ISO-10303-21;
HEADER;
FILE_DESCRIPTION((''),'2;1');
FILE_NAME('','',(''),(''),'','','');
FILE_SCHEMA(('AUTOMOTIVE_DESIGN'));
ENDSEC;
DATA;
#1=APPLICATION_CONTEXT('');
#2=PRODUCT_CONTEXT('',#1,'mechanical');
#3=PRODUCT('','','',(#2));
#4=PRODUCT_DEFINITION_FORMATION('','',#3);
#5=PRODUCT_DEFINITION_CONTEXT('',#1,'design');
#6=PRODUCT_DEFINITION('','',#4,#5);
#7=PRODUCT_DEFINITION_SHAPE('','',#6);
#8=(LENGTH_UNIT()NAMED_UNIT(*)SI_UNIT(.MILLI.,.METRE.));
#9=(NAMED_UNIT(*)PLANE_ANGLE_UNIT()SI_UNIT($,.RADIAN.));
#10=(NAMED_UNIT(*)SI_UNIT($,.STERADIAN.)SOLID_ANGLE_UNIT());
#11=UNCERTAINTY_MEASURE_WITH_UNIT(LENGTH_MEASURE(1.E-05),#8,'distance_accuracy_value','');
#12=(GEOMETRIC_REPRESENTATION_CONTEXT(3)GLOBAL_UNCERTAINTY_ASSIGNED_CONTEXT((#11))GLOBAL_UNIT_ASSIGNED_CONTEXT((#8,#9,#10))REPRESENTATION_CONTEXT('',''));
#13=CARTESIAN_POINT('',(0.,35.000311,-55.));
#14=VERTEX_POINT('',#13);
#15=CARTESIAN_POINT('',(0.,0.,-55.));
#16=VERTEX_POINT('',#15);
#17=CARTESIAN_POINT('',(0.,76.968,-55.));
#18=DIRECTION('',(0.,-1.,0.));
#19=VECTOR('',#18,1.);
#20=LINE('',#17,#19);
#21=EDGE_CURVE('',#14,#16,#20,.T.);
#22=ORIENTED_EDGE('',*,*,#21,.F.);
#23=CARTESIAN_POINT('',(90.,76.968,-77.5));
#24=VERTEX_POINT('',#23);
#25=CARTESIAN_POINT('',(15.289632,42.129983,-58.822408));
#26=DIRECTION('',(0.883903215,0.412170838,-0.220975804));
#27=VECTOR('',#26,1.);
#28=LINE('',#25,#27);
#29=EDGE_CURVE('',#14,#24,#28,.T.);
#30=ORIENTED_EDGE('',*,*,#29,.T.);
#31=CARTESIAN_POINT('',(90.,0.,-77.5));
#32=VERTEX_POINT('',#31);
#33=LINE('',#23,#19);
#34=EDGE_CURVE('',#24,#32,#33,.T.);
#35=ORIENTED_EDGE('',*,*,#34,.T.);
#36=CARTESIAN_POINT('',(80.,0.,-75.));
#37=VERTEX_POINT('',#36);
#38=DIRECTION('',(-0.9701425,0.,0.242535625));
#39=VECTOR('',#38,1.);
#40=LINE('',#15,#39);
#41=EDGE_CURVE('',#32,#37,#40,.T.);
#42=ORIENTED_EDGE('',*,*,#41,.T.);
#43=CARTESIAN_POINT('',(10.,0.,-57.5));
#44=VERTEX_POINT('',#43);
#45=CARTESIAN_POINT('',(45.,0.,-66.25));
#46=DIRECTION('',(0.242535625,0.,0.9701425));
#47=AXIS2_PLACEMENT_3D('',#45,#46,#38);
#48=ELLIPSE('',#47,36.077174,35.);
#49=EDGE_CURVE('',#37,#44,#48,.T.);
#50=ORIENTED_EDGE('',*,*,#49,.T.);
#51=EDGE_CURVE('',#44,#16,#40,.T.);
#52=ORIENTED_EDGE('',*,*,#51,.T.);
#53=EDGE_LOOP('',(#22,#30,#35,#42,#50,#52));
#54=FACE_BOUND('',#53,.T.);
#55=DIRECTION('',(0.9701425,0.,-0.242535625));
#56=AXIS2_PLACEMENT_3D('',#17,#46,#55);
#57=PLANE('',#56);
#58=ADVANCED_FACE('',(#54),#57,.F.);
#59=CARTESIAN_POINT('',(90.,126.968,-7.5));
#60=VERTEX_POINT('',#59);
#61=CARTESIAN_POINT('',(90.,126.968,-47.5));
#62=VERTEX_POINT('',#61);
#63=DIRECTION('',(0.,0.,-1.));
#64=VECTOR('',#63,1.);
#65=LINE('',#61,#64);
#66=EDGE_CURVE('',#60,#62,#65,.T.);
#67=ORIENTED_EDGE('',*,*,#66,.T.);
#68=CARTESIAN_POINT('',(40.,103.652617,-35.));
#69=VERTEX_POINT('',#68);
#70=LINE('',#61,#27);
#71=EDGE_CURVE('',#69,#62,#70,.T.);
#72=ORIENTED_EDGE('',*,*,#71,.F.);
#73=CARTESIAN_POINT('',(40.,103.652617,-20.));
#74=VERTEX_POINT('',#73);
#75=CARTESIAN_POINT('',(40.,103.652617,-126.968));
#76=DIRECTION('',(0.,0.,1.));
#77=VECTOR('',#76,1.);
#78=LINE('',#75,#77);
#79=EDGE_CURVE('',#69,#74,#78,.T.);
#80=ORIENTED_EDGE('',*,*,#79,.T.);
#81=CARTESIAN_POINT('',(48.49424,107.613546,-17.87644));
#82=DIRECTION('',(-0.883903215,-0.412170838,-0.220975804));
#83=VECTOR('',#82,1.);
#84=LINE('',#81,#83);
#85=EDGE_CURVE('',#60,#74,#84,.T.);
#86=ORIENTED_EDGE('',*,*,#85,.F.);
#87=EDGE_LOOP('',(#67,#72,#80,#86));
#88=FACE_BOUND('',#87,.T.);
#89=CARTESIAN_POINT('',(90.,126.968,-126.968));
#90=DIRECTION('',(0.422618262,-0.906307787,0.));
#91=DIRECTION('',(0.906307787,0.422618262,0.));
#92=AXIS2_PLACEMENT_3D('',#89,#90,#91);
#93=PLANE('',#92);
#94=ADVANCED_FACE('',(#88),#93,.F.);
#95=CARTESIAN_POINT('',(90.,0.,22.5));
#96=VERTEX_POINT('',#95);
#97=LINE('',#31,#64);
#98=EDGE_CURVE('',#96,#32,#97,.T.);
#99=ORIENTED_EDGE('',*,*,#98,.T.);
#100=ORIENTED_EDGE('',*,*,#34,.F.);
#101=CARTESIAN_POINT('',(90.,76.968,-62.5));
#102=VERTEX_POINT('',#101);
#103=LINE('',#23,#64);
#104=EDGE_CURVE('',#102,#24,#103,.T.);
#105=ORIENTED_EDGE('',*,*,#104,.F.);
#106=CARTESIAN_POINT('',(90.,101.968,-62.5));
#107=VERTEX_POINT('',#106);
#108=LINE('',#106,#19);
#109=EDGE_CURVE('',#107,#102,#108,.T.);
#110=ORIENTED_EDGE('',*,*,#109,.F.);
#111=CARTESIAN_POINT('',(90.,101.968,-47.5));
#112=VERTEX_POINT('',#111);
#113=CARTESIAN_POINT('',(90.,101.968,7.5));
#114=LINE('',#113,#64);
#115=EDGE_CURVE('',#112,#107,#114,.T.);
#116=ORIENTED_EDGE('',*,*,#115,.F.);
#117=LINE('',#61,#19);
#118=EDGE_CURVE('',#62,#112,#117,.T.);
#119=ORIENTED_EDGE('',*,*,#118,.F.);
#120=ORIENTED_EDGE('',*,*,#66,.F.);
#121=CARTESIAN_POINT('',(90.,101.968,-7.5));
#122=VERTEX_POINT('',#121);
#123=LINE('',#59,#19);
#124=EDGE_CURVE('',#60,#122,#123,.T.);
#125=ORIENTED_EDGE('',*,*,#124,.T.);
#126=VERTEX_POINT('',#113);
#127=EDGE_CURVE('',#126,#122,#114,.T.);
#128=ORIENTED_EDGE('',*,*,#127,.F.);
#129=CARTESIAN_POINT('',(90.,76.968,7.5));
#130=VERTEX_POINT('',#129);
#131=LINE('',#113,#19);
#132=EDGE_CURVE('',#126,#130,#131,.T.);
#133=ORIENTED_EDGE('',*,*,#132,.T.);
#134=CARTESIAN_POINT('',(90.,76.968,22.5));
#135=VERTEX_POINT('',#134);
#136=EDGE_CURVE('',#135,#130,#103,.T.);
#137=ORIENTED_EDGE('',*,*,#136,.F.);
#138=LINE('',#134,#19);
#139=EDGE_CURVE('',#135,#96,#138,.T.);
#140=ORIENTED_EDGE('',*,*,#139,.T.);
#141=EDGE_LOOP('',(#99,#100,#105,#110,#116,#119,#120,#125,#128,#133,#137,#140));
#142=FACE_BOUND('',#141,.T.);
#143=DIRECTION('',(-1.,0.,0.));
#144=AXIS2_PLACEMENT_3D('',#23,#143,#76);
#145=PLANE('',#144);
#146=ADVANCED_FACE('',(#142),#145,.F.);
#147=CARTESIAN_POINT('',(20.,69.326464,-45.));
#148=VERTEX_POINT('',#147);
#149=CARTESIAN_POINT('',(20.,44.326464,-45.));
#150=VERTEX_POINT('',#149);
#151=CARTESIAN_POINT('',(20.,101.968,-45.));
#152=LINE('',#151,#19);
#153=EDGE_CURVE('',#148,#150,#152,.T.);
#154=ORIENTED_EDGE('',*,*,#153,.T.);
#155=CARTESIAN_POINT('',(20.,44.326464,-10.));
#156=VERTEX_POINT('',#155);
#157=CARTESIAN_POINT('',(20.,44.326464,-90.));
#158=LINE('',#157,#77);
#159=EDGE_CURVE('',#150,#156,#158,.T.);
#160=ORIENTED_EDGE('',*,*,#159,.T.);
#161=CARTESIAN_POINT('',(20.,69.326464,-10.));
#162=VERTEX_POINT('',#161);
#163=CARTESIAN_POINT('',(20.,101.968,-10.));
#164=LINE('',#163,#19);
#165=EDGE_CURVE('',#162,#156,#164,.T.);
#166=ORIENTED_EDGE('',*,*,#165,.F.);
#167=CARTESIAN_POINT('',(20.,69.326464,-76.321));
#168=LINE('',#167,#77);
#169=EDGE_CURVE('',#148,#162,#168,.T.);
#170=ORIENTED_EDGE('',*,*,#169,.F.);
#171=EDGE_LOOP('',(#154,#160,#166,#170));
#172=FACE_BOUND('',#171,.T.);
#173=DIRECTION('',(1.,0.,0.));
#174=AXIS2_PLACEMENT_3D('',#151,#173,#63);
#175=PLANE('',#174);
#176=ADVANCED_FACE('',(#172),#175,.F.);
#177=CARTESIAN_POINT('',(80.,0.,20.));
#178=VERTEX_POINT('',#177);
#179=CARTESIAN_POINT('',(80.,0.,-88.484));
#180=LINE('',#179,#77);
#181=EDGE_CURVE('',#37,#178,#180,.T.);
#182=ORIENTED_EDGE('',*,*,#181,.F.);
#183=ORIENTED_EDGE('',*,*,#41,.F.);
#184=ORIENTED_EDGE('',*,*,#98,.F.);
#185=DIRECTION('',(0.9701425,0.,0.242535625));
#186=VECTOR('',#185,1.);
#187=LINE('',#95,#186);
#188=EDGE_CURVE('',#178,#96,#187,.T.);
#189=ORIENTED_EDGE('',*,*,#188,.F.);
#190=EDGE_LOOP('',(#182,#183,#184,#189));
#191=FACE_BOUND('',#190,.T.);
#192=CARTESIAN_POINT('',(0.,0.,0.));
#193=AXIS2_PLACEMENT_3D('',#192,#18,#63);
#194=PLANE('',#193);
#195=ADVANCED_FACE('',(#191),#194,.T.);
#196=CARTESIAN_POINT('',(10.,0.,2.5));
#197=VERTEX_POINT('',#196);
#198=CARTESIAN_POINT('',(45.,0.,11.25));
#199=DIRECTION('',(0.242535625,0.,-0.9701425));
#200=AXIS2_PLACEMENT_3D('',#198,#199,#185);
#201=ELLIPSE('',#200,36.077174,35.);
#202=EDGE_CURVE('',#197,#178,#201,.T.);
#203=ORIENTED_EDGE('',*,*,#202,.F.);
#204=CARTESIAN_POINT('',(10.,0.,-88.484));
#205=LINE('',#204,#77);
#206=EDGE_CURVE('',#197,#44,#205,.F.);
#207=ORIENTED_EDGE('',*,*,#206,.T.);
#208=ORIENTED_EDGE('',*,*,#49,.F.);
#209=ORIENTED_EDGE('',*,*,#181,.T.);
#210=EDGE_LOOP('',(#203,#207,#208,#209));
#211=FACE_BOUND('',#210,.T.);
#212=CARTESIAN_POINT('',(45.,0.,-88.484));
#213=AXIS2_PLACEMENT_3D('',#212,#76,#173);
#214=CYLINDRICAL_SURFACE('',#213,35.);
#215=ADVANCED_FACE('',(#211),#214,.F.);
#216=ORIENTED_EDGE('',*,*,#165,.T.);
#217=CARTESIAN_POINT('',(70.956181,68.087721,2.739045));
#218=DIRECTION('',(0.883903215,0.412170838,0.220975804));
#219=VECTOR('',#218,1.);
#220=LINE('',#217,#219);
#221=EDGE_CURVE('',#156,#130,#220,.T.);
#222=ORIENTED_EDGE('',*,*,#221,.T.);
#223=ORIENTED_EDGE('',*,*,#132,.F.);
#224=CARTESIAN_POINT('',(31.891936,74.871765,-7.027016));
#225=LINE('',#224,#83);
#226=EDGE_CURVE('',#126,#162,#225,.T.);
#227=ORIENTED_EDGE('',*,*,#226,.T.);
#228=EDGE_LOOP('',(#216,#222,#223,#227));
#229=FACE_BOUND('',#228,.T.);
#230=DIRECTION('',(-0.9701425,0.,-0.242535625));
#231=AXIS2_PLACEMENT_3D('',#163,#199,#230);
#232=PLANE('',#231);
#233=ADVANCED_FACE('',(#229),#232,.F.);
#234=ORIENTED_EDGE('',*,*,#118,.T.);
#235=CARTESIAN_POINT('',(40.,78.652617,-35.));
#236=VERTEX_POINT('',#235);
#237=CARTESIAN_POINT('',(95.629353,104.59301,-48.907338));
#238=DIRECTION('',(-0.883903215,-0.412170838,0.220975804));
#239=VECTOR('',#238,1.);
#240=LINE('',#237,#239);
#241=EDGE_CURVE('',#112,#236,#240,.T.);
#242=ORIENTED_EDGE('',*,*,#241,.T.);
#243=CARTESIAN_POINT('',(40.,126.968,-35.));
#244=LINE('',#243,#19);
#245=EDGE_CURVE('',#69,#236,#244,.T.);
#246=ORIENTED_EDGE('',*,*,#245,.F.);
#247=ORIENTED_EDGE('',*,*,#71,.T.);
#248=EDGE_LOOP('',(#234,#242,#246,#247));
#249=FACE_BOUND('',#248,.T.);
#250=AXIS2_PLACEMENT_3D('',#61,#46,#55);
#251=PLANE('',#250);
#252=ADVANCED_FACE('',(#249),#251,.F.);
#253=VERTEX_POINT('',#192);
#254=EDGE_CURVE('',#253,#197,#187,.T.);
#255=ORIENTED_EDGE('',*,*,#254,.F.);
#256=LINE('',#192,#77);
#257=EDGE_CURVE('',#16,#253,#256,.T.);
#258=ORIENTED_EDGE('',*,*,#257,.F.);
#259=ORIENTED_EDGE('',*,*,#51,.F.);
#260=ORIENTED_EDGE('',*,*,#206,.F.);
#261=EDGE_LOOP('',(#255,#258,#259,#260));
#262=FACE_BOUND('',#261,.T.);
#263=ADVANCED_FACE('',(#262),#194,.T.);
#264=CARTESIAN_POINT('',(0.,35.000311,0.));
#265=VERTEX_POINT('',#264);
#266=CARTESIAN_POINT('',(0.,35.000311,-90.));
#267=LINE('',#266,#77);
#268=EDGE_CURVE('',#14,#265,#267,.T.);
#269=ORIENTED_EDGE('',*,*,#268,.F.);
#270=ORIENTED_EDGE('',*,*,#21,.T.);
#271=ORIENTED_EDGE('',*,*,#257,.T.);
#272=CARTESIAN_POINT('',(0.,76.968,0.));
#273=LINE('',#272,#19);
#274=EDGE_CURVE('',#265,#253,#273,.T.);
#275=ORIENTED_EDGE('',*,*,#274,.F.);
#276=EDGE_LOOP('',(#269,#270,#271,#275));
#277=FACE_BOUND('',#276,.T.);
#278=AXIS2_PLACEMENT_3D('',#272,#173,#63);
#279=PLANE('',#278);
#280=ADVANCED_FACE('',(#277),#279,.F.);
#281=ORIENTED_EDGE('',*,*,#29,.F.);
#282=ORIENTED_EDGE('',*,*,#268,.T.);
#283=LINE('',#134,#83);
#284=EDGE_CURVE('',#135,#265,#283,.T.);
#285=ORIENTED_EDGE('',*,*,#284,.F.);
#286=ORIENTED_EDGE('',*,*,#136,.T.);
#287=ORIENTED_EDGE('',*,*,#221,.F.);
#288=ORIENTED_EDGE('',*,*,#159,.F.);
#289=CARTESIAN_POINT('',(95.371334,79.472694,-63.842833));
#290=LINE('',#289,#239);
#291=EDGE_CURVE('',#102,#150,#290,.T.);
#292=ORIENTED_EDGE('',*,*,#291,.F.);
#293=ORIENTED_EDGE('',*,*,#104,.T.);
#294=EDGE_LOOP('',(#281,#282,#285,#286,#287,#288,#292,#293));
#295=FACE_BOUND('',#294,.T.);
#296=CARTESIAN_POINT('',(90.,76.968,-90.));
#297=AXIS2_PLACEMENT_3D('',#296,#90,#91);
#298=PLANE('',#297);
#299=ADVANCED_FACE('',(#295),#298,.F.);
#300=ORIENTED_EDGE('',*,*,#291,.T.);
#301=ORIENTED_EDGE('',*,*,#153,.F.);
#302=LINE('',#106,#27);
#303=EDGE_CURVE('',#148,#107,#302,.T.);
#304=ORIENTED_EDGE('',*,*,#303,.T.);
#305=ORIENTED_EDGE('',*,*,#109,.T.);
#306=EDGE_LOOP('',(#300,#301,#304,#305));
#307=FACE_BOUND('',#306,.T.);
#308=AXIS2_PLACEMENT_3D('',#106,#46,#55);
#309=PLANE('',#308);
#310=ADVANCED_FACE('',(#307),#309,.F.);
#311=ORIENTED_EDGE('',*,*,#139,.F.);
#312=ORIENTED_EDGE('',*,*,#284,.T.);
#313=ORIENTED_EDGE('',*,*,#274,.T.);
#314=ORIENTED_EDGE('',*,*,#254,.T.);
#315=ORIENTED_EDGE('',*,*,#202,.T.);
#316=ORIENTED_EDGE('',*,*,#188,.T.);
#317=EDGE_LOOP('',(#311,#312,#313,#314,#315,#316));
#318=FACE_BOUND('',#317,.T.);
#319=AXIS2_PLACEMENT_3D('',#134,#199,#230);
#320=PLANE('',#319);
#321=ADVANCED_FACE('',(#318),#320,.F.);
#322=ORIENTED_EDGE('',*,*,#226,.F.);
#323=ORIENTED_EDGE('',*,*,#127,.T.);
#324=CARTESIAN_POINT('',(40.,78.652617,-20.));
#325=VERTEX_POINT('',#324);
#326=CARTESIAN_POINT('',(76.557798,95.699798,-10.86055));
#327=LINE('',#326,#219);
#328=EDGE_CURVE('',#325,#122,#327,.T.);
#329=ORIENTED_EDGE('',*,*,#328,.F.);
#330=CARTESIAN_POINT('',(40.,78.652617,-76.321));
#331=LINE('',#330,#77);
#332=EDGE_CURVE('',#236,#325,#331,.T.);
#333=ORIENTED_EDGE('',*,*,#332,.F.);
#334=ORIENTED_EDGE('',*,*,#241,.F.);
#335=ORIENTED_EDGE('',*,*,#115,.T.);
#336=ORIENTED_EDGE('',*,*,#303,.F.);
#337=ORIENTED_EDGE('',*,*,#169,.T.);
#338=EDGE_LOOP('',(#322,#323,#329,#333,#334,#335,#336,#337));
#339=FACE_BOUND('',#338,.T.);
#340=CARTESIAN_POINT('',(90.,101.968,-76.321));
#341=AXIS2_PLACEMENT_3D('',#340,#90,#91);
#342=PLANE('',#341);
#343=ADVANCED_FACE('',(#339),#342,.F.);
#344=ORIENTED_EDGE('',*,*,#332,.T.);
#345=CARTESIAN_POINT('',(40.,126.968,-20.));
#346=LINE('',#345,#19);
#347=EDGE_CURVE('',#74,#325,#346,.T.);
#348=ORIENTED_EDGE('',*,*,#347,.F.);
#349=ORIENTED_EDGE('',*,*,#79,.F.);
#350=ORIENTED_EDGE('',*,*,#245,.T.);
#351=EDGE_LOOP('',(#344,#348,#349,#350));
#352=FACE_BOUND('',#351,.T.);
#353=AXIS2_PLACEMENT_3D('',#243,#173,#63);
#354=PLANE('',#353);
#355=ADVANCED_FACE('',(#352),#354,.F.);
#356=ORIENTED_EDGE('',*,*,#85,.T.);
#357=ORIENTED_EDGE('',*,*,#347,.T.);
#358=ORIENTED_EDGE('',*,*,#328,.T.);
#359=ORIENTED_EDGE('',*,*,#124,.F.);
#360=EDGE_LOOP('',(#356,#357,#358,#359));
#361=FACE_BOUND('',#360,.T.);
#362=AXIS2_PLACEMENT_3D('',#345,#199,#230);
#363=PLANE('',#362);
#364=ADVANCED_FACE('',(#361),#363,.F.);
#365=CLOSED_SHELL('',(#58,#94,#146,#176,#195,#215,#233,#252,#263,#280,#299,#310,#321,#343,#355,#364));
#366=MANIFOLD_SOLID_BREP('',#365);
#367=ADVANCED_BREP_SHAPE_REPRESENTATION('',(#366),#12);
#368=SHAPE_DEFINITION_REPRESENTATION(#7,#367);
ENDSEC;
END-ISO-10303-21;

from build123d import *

# Parameters (mm, degrees)
EXTRUDE1_DEPTH = 76.968
EXTRUDE2_DEPTH = 90
EXTRUDE3_DEPTH = 101.968
EXTRUDE4_DEPTH = 76.321
EXTRUDE5_DEPTH = 126.968
EXTRUDE6_DEPTH = 126.968
EXTRUDE7_DEPTH = 88.484


with BuildPart() as part:
    # Sketch1 → Extrude1 (new body)
    with BuildSketch(Plane(origin=(0, 0, 0), x_dir=(1, 0, 0), z_dir=(0, 1, 0))):
        Polygon((0, 0), (0, 55), (90, 77.5), (90, -22.5), align=None)
    extrude(amount=EXTRUDE1_DEPTH)

    # Sketch2 → Extrude2 (cut, symmetric)
    with BuildSketch(Plane.XY):
        Polygon((90, 76.968), (0, 35.000310766), (0, 76.968), align=None)
    extrude(amount=EXTRUDE2_DEPTH, both=True, mode=Mode.SUBTRACT)

    # Sketch3 → Extrude3 (add)
    with BuildSketch(Plane(origin=(0, 0, 0), x_dir=(1, 0, 0), z_dir=(0, 1, 0))):
        Polygon((90, 62.5), (20, 45), (20, 10), (90, -7.5), align=None)
    extrude(amount=EXTRUDE3_DEPTH)

    # Sketch4 → Extrude4 (cut, symmetric)
    with BuildSketch(Plane.XY):
        Polygon((90, 101.968), (20, 69.326463929), (20, 101.968), align=None)
    extrude(amount=EXTRUDE4_DEPTH, both=True, mode=Mode.SUBTRACT)

    # Sketch5 → Extrude5 (add)
    with BuildSketch(Plane(origin=(0, 0, 0), x_dir=(1, 0, 0), z_dir=(0, 1, 0))):
        Polygon((90, 47.5), (40, 35), (40, 20), (90, 7.5), align=None)
    extrude(amount=EXTRUDE5_DEPTH)

    # Sketch6 → Extrude6 (cut)
    with BuildSketch(Plane.XY):
        Polygon((90, 126.968), (40, 103.652617092), (40, 126.968), align=None)
    extrude(amount=-EXTRUDE6_DEPTH, mode=Mode.SUBTRACT)

    # Sketch7 → Extrude7 (cut, symmetric)
    with BuildSketch(Plane.XY):
        with BuildLine():
            Line((80, 0), (10, 0))
            ThreePointArc((10, 0), (45, 35), (80, 0))
        make_face()
    extrude(amount=EXTRUDE7_DEPTH, both=True, mode=Mode.SUBTRACT)


solid = part.part
